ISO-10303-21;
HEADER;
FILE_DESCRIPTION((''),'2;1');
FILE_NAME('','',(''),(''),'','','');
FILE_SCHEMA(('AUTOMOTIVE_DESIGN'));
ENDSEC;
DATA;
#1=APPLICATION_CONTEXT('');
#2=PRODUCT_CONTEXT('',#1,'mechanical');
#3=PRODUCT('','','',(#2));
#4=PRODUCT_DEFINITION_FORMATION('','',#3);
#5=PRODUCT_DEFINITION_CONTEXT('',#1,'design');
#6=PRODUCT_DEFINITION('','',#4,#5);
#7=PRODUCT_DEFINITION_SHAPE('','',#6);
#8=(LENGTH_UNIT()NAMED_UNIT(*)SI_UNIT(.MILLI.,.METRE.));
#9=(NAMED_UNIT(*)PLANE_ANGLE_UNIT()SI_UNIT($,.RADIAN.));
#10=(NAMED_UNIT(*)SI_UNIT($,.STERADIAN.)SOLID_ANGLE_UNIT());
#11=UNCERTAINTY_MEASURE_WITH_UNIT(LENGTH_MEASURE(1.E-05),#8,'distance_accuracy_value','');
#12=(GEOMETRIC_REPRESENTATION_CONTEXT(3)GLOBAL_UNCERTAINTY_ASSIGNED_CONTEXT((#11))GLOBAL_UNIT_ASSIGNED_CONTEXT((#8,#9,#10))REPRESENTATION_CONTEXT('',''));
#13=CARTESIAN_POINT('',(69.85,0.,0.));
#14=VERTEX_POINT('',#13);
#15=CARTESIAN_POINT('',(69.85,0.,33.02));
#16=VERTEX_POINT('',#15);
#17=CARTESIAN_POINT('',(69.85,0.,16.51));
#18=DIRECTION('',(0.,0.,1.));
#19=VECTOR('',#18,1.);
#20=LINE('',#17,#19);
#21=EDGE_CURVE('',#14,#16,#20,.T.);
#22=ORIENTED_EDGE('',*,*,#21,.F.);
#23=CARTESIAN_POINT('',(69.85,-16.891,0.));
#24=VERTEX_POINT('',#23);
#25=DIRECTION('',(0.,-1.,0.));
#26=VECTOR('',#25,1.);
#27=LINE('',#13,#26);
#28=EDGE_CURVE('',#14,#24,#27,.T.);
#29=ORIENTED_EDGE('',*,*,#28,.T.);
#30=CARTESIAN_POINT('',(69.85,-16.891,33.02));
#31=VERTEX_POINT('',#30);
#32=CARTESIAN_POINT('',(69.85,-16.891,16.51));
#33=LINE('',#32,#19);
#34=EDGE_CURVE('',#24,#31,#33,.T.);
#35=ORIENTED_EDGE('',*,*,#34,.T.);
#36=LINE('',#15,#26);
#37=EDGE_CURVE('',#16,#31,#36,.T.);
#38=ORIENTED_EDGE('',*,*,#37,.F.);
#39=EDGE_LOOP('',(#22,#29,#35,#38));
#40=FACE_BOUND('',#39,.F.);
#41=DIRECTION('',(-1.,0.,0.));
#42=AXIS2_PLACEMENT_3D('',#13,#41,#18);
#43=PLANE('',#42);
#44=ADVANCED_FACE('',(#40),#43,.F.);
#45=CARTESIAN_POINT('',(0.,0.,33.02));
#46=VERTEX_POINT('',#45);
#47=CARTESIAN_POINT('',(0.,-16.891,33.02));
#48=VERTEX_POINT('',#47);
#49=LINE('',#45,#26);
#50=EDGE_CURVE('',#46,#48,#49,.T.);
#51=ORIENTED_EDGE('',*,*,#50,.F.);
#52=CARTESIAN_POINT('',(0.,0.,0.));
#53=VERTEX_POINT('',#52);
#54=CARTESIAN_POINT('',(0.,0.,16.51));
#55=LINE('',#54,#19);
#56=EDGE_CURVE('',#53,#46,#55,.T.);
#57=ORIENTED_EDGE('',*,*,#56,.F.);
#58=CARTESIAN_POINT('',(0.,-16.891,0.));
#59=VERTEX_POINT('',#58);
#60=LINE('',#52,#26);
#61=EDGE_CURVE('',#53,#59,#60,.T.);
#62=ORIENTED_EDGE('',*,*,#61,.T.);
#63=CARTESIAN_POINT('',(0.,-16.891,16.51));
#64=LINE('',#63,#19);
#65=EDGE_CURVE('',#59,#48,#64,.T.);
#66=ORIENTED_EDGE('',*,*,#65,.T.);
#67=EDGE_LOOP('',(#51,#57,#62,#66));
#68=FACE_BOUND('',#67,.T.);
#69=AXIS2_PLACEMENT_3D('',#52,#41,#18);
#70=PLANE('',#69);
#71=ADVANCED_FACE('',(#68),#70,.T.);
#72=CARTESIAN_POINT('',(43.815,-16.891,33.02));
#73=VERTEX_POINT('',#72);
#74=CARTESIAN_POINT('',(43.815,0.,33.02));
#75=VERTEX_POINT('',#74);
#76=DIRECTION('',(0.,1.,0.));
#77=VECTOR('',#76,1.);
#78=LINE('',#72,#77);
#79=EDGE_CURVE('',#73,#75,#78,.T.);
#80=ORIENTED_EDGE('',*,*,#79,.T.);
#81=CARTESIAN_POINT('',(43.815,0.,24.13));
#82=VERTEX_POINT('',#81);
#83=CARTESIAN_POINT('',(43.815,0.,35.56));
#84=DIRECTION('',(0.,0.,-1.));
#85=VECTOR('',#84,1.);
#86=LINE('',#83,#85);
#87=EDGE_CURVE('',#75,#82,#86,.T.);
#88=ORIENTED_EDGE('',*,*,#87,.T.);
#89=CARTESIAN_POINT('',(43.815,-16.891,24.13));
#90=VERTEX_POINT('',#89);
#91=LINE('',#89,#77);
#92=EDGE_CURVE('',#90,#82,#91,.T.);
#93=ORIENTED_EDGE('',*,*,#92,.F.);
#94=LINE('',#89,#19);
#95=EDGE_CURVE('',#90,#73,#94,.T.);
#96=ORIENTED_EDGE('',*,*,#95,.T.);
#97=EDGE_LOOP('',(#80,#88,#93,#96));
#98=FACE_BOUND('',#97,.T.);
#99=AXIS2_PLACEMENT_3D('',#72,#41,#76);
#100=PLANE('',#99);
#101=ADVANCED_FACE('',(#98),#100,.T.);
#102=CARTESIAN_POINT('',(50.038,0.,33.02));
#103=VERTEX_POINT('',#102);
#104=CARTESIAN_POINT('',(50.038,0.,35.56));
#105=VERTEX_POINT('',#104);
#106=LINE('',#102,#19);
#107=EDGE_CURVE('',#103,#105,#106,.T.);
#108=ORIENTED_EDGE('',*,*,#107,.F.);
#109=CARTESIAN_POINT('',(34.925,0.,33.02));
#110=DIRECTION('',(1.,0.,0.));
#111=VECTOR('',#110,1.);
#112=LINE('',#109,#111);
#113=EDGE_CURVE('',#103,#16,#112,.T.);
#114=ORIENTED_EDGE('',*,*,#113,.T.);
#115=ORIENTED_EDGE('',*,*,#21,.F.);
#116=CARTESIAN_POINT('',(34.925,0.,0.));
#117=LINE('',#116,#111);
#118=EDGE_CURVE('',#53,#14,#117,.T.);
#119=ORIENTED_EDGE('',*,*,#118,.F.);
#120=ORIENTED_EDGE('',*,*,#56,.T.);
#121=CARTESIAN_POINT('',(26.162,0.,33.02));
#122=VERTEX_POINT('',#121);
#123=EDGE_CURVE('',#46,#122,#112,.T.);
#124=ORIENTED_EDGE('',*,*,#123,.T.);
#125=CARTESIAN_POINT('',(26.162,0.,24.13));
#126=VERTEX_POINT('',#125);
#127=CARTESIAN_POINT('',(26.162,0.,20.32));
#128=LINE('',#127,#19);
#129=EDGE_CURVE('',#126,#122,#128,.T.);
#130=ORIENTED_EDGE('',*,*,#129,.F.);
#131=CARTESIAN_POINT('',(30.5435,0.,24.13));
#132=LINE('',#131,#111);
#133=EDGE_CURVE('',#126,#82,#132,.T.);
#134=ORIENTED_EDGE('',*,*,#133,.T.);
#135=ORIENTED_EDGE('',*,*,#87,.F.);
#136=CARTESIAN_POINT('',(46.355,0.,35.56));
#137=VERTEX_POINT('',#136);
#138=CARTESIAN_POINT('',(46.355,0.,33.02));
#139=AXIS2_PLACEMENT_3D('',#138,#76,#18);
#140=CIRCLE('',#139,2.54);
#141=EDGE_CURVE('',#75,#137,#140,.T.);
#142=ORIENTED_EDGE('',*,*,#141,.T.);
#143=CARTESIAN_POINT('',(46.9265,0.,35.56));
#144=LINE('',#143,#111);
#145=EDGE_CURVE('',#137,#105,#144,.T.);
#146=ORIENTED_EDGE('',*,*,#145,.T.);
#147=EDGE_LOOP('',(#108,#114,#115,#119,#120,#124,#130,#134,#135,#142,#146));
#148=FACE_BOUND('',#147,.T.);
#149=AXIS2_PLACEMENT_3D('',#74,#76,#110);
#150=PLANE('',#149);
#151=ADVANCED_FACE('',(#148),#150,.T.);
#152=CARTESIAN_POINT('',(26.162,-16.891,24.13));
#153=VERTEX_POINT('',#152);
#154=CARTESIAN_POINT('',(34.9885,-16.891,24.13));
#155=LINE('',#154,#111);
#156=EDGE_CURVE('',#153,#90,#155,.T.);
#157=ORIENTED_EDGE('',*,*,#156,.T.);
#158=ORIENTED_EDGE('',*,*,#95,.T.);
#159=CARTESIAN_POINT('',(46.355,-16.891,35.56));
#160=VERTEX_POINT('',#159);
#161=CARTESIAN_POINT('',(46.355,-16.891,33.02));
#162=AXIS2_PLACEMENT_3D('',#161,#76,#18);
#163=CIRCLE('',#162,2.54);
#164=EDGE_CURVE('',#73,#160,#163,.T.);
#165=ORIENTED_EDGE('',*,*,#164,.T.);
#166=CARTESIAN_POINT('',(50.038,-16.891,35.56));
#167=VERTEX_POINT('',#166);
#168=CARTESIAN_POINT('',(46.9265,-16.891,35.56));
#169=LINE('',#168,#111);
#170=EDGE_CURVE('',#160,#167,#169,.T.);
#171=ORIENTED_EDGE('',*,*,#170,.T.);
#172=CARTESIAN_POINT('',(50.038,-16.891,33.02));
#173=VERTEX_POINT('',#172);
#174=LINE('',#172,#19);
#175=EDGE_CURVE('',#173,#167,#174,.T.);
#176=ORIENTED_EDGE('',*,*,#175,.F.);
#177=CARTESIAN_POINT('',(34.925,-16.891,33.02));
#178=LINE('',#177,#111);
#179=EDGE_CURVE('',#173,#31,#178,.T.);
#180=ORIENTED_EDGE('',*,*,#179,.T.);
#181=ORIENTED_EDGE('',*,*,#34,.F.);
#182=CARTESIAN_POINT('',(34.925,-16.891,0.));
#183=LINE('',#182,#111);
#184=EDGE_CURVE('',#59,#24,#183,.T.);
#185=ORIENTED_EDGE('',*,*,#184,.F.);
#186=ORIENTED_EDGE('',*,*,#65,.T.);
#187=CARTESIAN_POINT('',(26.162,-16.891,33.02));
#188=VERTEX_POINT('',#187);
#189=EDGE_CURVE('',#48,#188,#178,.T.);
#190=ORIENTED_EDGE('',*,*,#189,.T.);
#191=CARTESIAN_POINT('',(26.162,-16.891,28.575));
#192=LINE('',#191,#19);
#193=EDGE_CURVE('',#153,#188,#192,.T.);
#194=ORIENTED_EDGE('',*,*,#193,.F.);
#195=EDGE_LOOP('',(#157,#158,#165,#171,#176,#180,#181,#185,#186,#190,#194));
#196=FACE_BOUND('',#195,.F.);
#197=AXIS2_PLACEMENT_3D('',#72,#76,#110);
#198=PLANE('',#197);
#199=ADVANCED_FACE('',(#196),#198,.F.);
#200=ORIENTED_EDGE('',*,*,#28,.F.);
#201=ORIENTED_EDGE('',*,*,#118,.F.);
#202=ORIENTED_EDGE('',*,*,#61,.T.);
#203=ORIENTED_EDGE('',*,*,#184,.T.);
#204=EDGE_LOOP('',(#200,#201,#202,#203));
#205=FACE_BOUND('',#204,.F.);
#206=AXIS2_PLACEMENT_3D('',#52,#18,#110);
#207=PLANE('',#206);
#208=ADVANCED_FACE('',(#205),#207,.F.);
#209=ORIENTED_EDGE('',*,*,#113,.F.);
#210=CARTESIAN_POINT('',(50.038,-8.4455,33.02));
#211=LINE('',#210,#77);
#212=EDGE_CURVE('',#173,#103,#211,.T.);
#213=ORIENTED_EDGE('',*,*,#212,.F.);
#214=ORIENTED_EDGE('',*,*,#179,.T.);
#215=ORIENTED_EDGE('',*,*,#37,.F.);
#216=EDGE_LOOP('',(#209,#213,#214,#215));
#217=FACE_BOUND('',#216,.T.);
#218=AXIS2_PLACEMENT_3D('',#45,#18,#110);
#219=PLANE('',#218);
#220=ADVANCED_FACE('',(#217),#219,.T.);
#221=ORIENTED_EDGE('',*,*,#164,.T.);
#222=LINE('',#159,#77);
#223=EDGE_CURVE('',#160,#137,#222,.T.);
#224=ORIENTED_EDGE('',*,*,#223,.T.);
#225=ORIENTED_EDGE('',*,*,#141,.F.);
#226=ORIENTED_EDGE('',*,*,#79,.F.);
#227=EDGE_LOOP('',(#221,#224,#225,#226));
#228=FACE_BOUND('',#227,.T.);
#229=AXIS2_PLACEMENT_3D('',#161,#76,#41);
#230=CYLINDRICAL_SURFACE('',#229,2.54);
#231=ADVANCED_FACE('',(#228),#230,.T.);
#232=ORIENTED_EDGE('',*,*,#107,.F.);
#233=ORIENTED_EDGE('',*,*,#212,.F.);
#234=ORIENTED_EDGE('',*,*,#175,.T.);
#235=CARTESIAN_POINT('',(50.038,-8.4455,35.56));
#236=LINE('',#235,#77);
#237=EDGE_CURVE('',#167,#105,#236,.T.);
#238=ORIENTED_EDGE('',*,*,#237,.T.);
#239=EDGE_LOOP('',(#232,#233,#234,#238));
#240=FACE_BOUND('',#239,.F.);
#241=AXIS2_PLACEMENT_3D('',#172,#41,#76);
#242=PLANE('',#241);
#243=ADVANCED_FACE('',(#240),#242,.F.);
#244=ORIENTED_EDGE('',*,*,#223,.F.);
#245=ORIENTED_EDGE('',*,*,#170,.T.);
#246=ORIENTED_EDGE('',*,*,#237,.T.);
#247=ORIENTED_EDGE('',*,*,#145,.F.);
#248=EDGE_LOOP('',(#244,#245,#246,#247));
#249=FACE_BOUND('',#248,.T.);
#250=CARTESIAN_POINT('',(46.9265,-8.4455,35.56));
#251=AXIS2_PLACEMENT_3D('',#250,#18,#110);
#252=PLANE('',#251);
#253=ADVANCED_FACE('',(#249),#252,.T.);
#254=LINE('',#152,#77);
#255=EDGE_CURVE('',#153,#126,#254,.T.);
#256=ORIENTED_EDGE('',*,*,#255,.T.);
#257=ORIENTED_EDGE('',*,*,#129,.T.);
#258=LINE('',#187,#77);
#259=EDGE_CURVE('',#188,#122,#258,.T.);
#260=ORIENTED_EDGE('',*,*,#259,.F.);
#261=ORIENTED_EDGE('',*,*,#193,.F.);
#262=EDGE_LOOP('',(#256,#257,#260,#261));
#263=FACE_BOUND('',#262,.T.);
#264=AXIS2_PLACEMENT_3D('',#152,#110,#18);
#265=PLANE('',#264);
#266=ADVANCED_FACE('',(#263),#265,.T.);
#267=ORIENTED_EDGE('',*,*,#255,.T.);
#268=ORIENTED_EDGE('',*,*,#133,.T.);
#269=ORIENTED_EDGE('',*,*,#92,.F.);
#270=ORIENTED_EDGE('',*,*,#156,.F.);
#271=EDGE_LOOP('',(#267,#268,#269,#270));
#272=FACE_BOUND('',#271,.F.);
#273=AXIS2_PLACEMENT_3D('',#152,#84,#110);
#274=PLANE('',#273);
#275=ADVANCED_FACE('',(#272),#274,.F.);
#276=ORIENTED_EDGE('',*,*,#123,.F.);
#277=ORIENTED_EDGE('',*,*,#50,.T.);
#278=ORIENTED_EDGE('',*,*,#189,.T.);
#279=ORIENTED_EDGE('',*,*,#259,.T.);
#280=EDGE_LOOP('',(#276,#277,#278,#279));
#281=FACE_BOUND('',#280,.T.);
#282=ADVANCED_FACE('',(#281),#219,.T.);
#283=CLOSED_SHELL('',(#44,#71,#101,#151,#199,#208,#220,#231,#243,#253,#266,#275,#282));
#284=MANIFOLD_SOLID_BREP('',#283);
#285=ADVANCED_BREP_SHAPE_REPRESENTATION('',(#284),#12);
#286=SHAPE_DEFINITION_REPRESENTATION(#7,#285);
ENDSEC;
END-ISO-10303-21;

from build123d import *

# Parameters (mm, degrees)
F0_W     = 69.85
F0_H     = 33.02
F1_DEPTH = 16.891
F2_W     = 17.653
F2_H     = 8.89
F3_DEPTH = 25.4
F4_W     = 6.223
F4_H     = 16.891
F5_DEPTH = 2.54
F6_R     = 2.54


with BuildPart() as f1:
    # F0 (on Front) → F1 (new body)
    with BuildSketch(Plane.XZ):
        with Locations((34.925, 16.51)):
            Rectangle(F0_W, F0_H)
    extrude(amount=F1_DEPTH)

    # F2 (on face) → F3 (cut)
    with BuildSketch(Plane.XZ.offset(16.891)):
        with Locations((34.9885, 28.575)):
            Rectangle(F2_W, F2_H)
    extrude(amount=-F3_DEPTH, mode=Mode.SUBTRACT)

    # F4 (on face) → F5 (join)
    with BuildSketch(Plane.XY.offset(33.02)):
        with Locations((46.9265, -8.4455)):
            Rectangle(F4_W, F4_H)
    extrude(amount=F5_DEPTH)

    # F6
    f6_edges = [f1.edges().sort_by_distance(p)[0] for p in [
        (43.815, -8.4455, 35.56),
    ]]
    fillet(f6_edges, radius=F6_R)


solid = f1.part
